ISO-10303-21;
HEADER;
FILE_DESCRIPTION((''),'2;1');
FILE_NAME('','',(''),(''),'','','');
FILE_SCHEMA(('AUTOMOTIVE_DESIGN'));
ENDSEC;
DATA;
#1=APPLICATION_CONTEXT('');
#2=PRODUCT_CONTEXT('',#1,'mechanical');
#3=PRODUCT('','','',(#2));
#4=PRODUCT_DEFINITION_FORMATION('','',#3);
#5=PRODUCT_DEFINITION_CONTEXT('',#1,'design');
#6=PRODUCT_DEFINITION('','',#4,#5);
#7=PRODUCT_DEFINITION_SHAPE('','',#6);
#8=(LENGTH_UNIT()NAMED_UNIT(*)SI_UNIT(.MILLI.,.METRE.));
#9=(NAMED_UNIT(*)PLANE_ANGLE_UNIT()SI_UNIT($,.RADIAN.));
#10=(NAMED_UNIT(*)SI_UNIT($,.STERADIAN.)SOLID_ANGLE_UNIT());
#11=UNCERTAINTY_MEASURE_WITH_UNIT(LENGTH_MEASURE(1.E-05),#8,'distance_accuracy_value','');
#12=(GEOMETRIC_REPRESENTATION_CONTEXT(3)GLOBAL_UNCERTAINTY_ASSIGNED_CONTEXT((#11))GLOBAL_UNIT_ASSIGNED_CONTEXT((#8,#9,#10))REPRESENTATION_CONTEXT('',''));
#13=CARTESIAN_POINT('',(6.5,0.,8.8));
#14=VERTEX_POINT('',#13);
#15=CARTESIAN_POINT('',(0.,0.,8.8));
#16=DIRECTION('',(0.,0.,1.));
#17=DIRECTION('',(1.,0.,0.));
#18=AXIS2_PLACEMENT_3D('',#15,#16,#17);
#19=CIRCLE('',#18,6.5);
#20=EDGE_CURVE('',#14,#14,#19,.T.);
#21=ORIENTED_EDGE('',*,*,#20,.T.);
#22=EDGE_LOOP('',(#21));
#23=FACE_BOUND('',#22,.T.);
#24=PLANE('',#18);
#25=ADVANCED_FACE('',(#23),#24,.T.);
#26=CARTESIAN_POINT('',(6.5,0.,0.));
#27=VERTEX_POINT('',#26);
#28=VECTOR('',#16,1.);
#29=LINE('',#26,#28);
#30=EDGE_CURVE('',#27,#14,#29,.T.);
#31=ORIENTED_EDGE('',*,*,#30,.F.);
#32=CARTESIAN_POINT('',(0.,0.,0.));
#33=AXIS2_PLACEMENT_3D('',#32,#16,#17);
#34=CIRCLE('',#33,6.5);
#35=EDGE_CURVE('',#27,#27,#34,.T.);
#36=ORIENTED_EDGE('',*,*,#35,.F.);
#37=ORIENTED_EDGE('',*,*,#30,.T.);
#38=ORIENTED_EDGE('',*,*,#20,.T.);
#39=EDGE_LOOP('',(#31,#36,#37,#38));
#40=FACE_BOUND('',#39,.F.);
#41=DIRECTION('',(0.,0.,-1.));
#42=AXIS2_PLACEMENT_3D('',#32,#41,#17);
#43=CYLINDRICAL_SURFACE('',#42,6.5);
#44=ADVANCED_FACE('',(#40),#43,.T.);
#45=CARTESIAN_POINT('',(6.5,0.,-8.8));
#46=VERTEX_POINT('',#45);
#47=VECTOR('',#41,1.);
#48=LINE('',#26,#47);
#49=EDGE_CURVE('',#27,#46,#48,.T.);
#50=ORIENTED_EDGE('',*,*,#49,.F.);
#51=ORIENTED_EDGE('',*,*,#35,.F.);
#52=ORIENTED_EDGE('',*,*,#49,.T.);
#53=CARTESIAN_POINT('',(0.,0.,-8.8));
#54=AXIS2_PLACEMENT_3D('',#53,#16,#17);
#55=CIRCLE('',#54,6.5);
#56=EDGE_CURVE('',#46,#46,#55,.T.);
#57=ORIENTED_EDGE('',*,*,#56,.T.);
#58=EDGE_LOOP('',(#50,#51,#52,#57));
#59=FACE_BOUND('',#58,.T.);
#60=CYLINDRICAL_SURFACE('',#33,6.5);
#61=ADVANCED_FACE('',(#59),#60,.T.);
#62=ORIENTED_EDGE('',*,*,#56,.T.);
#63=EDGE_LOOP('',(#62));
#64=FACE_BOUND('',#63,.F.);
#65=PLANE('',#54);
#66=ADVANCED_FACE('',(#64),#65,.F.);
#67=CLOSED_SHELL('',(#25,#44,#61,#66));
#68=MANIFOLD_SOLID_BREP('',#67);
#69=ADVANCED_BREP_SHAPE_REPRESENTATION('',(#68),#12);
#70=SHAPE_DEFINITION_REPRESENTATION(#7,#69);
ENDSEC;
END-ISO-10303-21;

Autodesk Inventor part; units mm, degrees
ref_plane "YZ Plane" through (0, 0, 0) normal (1, 0, 0) x (0, 1, 0)
ref_plane "XZ Plane" through (0, 0, 0) normal (0, 1, 0) x (-1, 0, 0)
ref_plane "XY Plane" through (0, 0, 0) normal (0, 0, 1) x (1, 0, 0)
sketch "Hauptskizze" plane through (0, 0, 0) normal (0, 0, 1) x (1, 0, 0)
  circle A0 centre (0, 0) radius 6.5
  dimension "d0" = 13
extrude "Riemenscheibe" add sketch "Hauptskizze" along normal mid plane 17.6
equation "\"d0\" = da_D"
equation "\"d1\" = da_B"
equation "\"da_D\" = 13"
equation "\"da_B\" = 17.6"
properties part number "Flache Riemenscheibe2" material "Steel"
